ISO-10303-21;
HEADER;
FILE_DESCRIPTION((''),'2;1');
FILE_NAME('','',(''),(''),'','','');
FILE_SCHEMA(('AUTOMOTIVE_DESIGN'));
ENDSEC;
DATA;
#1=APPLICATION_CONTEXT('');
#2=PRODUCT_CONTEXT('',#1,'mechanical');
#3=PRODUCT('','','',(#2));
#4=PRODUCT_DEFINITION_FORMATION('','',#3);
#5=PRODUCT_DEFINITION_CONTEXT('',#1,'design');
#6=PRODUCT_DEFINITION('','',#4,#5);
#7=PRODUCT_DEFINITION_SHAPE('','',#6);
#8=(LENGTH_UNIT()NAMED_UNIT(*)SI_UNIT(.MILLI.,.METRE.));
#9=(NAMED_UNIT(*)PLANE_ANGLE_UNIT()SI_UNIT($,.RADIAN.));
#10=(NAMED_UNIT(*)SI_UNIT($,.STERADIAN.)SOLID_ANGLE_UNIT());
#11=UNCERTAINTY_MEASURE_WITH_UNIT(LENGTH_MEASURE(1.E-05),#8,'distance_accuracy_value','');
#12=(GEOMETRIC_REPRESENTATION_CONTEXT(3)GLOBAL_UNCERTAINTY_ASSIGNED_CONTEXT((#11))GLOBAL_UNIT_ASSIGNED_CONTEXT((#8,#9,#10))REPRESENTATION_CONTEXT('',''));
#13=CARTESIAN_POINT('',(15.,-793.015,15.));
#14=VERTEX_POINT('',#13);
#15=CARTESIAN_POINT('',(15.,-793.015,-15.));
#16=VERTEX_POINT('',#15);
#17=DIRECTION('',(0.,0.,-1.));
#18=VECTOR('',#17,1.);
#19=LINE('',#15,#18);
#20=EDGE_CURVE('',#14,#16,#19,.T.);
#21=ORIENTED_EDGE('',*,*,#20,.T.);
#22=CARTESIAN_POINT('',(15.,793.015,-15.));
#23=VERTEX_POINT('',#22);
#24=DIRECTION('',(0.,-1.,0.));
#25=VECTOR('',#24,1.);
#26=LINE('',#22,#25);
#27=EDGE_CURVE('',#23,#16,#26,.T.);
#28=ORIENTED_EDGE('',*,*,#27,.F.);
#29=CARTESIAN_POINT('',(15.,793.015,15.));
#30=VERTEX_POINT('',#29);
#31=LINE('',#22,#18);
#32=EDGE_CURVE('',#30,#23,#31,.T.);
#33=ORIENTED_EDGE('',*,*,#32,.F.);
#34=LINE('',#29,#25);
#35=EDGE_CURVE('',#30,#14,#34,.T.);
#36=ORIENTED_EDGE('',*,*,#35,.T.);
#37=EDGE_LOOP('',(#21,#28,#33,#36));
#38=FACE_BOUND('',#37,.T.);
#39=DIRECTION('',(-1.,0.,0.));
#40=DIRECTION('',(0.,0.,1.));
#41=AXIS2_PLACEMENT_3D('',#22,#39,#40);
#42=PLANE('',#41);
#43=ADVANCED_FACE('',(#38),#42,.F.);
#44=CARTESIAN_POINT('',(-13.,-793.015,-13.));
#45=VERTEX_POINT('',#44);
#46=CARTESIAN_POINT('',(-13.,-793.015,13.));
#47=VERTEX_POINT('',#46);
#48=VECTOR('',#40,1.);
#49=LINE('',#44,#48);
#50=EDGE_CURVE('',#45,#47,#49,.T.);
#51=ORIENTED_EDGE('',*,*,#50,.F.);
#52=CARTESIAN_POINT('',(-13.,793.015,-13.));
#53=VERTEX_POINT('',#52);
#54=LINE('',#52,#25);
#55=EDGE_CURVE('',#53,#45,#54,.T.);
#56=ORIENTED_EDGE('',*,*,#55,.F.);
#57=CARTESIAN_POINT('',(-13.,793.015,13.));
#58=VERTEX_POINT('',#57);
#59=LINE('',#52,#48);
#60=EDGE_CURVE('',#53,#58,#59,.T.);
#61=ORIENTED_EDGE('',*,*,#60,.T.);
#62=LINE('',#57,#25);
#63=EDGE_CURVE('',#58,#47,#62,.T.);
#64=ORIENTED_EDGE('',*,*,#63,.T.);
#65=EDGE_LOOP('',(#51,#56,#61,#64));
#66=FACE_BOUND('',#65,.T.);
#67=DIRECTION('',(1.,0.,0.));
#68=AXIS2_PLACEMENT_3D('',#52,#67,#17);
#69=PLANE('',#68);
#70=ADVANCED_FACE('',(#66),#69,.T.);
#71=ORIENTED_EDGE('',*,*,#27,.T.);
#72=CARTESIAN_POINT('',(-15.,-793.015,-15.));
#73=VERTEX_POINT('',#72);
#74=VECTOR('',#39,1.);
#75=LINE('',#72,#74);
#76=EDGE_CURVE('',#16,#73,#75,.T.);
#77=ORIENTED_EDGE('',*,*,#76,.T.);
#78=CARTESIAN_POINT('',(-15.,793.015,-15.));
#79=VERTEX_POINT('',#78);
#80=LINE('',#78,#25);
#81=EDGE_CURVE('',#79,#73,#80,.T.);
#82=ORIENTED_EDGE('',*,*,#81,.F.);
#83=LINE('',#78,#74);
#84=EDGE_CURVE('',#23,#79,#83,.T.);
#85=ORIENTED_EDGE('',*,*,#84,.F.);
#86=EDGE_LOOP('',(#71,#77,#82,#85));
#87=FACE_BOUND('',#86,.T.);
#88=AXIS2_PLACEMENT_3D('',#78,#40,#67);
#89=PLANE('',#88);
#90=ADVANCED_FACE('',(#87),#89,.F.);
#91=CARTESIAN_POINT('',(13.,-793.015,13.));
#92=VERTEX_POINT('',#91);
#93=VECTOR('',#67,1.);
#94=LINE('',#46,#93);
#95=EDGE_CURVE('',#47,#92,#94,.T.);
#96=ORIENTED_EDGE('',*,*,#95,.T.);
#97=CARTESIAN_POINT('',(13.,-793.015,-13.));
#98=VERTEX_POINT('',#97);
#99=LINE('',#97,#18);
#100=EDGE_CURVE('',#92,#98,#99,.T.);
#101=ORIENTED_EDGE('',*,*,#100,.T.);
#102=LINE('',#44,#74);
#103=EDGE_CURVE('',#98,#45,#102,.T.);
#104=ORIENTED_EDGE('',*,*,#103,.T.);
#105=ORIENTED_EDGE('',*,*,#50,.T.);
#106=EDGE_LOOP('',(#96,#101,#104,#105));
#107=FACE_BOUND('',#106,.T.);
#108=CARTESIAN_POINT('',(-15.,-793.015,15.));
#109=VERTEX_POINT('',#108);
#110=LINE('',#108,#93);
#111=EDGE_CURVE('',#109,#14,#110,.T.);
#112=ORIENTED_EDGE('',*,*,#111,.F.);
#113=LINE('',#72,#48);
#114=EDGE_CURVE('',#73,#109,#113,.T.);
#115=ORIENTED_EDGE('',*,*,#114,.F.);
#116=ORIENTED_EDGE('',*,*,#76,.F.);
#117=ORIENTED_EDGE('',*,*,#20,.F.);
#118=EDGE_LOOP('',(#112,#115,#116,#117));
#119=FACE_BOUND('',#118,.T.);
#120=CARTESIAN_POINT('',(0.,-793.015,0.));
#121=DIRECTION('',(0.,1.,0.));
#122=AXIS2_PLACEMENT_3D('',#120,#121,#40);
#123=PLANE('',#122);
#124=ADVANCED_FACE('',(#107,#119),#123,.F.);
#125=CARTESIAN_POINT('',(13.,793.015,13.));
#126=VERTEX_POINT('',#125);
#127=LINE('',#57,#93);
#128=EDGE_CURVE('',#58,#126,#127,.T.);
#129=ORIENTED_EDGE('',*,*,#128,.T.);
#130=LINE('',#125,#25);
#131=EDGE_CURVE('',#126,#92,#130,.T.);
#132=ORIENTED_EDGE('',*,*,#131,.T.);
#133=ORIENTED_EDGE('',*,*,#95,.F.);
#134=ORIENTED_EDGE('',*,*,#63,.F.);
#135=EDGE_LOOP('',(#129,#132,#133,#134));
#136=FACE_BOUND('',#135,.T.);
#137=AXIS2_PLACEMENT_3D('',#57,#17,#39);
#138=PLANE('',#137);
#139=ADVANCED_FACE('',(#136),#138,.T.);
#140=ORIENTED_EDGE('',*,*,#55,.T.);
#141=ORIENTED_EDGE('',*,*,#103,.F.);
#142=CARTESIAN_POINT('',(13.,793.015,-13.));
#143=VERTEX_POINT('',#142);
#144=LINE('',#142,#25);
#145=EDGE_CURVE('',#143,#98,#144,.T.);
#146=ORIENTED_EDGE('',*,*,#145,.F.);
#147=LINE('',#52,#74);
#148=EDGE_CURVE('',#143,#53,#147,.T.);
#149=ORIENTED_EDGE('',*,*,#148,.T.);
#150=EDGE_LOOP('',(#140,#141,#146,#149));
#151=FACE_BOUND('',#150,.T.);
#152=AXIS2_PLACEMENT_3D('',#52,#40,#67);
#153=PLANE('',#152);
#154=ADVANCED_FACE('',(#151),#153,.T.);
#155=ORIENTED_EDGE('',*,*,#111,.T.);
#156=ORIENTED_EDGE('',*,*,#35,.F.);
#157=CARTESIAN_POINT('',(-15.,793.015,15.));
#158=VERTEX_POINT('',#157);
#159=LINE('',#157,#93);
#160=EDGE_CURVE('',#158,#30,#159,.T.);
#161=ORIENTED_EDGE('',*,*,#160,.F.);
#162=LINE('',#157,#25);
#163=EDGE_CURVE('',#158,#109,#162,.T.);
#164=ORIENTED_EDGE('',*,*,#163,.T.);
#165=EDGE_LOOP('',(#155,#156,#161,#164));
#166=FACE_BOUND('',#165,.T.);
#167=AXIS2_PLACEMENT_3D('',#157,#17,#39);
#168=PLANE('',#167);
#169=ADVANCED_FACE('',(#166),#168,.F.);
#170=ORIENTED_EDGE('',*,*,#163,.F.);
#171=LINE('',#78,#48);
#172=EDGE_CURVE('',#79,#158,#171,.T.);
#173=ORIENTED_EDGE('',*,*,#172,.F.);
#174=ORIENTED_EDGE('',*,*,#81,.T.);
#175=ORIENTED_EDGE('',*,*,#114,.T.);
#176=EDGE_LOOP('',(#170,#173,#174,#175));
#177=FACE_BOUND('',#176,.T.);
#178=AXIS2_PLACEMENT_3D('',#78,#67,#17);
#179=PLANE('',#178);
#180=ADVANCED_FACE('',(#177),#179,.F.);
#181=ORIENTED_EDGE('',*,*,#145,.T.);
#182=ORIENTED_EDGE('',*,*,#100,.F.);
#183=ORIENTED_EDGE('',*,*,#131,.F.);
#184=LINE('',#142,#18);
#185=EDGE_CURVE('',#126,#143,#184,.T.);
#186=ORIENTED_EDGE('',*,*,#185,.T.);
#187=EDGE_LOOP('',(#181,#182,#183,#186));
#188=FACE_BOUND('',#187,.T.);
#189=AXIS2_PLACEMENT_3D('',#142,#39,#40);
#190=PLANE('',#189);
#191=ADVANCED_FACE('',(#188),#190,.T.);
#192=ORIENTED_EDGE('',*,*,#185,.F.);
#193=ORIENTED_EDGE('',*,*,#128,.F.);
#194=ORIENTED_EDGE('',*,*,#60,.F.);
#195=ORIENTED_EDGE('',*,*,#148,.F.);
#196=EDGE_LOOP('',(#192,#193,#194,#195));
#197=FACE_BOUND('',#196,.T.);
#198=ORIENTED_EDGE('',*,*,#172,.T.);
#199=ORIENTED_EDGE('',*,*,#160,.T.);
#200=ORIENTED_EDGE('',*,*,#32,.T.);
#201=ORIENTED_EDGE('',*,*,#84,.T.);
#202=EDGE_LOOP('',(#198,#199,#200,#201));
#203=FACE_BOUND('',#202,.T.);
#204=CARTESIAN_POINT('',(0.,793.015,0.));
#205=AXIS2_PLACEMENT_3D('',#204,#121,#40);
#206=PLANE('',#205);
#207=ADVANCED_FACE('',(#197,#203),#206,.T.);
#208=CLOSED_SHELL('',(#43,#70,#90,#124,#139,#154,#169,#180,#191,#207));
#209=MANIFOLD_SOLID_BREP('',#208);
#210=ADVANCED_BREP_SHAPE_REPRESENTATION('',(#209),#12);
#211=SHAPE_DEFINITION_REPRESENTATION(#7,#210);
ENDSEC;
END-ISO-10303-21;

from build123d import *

# Parameters (mm, degrees)
SKETCH2_W           = 30
SKETCH2_H           = 30
SKETCH2_W_2         = 26
SKETCH2_H_2         = 26
BOSS_EXTRUDE1_DEPTH = 793.015


with BuildPart() as part:
    # Sketch2 → Boss-Extrude1 (new body, symmetric)
    with BuildSketch(Plane(origin=(0, 0, 0), x_dir=(1, 0, 0), z_dir=(0, 1, 0))):
        Rectangle(SKETCH2_W, SKETCH2_H)
        Rectangle(SKETCH2_W_2, SKETCH2_H_2, mode=Mode.SUBTRACT)
    extrude(amount=BOSS_EXTRUDE1_DEPTH, both=True)


solid = part.part
